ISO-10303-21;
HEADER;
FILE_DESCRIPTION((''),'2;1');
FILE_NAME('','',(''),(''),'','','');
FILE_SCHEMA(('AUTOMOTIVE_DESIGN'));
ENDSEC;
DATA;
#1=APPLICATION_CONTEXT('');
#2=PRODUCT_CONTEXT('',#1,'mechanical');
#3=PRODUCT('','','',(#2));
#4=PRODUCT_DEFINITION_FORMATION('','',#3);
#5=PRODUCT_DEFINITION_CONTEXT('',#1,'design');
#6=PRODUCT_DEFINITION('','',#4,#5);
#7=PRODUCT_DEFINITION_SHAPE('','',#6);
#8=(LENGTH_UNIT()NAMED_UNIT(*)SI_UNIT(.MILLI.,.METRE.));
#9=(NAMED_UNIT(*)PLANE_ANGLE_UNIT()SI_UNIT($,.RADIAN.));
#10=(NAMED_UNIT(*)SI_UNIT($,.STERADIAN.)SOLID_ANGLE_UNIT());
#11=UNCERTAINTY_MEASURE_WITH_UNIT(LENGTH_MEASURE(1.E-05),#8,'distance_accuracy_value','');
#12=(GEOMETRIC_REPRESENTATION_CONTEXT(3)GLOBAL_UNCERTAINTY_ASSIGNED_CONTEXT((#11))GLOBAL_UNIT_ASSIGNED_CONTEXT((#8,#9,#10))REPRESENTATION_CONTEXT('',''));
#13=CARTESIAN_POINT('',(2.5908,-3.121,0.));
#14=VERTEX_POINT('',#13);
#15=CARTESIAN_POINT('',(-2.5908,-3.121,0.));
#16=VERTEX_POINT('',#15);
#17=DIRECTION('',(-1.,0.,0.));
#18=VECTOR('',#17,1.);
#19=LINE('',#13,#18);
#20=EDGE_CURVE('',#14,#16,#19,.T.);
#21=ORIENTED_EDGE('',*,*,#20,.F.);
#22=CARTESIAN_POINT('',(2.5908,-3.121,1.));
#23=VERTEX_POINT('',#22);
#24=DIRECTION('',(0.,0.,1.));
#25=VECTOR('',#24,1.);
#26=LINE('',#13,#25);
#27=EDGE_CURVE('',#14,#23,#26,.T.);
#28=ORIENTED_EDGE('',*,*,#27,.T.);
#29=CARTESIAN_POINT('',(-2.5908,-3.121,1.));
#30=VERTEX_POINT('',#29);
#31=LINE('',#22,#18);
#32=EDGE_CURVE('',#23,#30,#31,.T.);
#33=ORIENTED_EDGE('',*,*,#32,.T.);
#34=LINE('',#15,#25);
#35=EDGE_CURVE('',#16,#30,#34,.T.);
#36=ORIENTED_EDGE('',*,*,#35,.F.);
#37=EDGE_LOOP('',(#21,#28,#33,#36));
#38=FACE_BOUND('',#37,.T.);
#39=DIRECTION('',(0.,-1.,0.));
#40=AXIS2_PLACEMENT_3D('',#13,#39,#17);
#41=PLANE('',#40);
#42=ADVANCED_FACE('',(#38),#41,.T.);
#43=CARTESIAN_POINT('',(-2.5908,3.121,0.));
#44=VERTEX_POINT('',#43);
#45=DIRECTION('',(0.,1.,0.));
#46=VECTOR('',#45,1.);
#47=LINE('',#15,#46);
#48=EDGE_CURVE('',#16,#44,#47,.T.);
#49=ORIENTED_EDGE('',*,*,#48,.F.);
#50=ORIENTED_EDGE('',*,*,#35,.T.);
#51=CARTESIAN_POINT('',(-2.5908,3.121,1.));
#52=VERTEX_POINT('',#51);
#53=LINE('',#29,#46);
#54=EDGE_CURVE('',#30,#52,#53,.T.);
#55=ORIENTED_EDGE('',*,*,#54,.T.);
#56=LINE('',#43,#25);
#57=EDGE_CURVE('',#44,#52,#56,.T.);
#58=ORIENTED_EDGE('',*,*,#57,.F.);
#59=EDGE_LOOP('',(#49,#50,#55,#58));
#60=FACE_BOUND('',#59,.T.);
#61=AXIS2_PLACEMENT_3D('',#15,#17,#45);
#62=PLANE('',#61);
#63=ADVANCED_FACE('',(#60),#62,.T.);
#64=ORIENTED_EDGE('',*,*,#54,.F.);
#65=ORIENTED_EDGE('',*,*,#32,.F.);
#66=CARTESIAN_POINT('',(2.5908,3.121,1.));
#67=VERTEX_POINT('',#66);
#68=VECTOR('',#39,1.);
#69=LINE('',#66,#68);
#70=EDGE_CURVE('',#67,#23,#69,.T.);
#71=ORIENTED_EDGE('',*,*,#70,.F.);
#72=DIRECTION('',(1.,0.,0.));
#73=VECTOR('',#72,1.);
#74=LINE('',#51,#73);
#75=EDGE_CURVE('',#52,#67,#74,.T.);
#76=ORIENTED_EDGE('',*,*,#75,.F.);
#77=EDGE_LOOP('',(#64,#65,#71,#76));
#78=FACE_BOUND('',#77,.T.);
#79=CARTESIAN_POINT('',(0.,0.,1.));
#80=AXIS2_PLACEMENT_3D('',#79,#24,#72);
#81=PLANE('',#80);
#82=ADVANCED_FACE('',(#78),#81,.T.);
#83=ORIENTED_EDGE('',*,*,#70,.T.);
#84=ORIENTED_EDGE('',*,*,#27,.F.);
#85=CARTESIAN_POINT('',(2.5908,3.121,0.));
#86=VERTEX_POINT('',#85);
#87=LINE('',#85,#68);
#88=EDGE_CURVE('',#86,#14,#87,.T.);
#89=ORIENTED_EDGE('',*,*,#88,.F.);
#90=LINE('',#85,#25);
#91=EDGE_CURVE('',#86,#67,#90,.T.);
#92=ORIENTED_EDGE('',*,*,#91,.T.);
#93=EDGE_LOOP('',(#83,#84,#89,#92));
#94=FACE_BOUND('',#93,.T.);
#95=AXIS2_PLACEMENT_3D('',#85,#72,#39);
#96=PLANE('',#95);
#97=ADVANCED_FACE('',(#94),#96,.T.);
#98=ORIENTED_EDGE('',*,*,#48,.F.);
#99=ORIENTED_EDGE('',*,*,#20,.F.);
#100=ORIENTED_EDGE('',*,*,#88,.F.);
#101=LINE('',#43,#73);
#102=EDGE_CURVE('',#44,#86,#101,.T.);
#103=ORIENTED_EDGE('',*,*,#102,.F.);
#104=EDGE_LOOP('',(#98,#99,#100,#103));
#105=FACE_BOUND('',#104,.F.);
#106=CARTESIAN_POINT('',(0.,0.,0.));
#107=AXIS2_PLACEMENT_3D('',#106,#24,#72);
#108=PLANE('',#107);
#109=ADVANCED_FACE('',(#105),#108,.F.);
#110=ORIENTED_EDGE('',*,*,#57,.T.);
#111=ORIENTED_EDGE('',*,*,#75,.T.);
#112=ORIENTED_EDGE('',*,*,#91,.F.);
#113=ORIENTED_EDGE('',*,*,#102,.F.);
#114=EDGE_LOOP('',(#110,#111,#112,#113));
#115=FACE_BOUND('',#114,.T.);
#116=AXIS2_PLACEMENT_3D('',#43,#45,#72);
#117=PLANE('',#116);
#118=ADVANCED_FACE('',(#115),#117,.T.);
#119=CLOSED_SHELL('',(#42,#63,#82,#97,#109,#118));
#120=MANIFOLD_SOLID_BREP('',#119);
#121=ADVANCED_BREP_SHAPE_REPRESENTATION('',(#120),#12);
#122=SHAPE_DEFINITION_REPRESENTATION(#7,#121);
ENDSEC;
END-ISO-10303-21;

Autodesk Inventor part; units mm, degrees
ref_plane "YZ Plane" through (0, 0, 0) normal (1, 0, 0) x (0, 1, 0)
ref_plane "XZ Plane" through (0, 0, 0) normal (0, 1, 0) x (-1, 0, 0)
ref_plane "XY Plane" through (0, 0, 0) normal (0, 0, 1) x (1, 0, 0)
sketch "TSSOP14, PIC16F1823-14PINTSSOP_69" plane through (0, 0, 0) normal (0, 0, 1) x (1, 0, 0)
  line L0 (-2.5908, 3.121) -> (2.5908, 3.121)
  line L1 (2.5908, 3.121) -> (2.5908, -3.121)
  line L2 (2.5908, -3.121) -> (-2.5908, -3.121)
  line L3 (-2.5908, -3.121) -> (-2.5908, 3.121)
extrude "Extrusion1" add sketch "TSSOP14, PIC16F1823-14PINTSSOP_69" along normal blind 1
properties part number "PIC16F1823-14PINTSSOP"
